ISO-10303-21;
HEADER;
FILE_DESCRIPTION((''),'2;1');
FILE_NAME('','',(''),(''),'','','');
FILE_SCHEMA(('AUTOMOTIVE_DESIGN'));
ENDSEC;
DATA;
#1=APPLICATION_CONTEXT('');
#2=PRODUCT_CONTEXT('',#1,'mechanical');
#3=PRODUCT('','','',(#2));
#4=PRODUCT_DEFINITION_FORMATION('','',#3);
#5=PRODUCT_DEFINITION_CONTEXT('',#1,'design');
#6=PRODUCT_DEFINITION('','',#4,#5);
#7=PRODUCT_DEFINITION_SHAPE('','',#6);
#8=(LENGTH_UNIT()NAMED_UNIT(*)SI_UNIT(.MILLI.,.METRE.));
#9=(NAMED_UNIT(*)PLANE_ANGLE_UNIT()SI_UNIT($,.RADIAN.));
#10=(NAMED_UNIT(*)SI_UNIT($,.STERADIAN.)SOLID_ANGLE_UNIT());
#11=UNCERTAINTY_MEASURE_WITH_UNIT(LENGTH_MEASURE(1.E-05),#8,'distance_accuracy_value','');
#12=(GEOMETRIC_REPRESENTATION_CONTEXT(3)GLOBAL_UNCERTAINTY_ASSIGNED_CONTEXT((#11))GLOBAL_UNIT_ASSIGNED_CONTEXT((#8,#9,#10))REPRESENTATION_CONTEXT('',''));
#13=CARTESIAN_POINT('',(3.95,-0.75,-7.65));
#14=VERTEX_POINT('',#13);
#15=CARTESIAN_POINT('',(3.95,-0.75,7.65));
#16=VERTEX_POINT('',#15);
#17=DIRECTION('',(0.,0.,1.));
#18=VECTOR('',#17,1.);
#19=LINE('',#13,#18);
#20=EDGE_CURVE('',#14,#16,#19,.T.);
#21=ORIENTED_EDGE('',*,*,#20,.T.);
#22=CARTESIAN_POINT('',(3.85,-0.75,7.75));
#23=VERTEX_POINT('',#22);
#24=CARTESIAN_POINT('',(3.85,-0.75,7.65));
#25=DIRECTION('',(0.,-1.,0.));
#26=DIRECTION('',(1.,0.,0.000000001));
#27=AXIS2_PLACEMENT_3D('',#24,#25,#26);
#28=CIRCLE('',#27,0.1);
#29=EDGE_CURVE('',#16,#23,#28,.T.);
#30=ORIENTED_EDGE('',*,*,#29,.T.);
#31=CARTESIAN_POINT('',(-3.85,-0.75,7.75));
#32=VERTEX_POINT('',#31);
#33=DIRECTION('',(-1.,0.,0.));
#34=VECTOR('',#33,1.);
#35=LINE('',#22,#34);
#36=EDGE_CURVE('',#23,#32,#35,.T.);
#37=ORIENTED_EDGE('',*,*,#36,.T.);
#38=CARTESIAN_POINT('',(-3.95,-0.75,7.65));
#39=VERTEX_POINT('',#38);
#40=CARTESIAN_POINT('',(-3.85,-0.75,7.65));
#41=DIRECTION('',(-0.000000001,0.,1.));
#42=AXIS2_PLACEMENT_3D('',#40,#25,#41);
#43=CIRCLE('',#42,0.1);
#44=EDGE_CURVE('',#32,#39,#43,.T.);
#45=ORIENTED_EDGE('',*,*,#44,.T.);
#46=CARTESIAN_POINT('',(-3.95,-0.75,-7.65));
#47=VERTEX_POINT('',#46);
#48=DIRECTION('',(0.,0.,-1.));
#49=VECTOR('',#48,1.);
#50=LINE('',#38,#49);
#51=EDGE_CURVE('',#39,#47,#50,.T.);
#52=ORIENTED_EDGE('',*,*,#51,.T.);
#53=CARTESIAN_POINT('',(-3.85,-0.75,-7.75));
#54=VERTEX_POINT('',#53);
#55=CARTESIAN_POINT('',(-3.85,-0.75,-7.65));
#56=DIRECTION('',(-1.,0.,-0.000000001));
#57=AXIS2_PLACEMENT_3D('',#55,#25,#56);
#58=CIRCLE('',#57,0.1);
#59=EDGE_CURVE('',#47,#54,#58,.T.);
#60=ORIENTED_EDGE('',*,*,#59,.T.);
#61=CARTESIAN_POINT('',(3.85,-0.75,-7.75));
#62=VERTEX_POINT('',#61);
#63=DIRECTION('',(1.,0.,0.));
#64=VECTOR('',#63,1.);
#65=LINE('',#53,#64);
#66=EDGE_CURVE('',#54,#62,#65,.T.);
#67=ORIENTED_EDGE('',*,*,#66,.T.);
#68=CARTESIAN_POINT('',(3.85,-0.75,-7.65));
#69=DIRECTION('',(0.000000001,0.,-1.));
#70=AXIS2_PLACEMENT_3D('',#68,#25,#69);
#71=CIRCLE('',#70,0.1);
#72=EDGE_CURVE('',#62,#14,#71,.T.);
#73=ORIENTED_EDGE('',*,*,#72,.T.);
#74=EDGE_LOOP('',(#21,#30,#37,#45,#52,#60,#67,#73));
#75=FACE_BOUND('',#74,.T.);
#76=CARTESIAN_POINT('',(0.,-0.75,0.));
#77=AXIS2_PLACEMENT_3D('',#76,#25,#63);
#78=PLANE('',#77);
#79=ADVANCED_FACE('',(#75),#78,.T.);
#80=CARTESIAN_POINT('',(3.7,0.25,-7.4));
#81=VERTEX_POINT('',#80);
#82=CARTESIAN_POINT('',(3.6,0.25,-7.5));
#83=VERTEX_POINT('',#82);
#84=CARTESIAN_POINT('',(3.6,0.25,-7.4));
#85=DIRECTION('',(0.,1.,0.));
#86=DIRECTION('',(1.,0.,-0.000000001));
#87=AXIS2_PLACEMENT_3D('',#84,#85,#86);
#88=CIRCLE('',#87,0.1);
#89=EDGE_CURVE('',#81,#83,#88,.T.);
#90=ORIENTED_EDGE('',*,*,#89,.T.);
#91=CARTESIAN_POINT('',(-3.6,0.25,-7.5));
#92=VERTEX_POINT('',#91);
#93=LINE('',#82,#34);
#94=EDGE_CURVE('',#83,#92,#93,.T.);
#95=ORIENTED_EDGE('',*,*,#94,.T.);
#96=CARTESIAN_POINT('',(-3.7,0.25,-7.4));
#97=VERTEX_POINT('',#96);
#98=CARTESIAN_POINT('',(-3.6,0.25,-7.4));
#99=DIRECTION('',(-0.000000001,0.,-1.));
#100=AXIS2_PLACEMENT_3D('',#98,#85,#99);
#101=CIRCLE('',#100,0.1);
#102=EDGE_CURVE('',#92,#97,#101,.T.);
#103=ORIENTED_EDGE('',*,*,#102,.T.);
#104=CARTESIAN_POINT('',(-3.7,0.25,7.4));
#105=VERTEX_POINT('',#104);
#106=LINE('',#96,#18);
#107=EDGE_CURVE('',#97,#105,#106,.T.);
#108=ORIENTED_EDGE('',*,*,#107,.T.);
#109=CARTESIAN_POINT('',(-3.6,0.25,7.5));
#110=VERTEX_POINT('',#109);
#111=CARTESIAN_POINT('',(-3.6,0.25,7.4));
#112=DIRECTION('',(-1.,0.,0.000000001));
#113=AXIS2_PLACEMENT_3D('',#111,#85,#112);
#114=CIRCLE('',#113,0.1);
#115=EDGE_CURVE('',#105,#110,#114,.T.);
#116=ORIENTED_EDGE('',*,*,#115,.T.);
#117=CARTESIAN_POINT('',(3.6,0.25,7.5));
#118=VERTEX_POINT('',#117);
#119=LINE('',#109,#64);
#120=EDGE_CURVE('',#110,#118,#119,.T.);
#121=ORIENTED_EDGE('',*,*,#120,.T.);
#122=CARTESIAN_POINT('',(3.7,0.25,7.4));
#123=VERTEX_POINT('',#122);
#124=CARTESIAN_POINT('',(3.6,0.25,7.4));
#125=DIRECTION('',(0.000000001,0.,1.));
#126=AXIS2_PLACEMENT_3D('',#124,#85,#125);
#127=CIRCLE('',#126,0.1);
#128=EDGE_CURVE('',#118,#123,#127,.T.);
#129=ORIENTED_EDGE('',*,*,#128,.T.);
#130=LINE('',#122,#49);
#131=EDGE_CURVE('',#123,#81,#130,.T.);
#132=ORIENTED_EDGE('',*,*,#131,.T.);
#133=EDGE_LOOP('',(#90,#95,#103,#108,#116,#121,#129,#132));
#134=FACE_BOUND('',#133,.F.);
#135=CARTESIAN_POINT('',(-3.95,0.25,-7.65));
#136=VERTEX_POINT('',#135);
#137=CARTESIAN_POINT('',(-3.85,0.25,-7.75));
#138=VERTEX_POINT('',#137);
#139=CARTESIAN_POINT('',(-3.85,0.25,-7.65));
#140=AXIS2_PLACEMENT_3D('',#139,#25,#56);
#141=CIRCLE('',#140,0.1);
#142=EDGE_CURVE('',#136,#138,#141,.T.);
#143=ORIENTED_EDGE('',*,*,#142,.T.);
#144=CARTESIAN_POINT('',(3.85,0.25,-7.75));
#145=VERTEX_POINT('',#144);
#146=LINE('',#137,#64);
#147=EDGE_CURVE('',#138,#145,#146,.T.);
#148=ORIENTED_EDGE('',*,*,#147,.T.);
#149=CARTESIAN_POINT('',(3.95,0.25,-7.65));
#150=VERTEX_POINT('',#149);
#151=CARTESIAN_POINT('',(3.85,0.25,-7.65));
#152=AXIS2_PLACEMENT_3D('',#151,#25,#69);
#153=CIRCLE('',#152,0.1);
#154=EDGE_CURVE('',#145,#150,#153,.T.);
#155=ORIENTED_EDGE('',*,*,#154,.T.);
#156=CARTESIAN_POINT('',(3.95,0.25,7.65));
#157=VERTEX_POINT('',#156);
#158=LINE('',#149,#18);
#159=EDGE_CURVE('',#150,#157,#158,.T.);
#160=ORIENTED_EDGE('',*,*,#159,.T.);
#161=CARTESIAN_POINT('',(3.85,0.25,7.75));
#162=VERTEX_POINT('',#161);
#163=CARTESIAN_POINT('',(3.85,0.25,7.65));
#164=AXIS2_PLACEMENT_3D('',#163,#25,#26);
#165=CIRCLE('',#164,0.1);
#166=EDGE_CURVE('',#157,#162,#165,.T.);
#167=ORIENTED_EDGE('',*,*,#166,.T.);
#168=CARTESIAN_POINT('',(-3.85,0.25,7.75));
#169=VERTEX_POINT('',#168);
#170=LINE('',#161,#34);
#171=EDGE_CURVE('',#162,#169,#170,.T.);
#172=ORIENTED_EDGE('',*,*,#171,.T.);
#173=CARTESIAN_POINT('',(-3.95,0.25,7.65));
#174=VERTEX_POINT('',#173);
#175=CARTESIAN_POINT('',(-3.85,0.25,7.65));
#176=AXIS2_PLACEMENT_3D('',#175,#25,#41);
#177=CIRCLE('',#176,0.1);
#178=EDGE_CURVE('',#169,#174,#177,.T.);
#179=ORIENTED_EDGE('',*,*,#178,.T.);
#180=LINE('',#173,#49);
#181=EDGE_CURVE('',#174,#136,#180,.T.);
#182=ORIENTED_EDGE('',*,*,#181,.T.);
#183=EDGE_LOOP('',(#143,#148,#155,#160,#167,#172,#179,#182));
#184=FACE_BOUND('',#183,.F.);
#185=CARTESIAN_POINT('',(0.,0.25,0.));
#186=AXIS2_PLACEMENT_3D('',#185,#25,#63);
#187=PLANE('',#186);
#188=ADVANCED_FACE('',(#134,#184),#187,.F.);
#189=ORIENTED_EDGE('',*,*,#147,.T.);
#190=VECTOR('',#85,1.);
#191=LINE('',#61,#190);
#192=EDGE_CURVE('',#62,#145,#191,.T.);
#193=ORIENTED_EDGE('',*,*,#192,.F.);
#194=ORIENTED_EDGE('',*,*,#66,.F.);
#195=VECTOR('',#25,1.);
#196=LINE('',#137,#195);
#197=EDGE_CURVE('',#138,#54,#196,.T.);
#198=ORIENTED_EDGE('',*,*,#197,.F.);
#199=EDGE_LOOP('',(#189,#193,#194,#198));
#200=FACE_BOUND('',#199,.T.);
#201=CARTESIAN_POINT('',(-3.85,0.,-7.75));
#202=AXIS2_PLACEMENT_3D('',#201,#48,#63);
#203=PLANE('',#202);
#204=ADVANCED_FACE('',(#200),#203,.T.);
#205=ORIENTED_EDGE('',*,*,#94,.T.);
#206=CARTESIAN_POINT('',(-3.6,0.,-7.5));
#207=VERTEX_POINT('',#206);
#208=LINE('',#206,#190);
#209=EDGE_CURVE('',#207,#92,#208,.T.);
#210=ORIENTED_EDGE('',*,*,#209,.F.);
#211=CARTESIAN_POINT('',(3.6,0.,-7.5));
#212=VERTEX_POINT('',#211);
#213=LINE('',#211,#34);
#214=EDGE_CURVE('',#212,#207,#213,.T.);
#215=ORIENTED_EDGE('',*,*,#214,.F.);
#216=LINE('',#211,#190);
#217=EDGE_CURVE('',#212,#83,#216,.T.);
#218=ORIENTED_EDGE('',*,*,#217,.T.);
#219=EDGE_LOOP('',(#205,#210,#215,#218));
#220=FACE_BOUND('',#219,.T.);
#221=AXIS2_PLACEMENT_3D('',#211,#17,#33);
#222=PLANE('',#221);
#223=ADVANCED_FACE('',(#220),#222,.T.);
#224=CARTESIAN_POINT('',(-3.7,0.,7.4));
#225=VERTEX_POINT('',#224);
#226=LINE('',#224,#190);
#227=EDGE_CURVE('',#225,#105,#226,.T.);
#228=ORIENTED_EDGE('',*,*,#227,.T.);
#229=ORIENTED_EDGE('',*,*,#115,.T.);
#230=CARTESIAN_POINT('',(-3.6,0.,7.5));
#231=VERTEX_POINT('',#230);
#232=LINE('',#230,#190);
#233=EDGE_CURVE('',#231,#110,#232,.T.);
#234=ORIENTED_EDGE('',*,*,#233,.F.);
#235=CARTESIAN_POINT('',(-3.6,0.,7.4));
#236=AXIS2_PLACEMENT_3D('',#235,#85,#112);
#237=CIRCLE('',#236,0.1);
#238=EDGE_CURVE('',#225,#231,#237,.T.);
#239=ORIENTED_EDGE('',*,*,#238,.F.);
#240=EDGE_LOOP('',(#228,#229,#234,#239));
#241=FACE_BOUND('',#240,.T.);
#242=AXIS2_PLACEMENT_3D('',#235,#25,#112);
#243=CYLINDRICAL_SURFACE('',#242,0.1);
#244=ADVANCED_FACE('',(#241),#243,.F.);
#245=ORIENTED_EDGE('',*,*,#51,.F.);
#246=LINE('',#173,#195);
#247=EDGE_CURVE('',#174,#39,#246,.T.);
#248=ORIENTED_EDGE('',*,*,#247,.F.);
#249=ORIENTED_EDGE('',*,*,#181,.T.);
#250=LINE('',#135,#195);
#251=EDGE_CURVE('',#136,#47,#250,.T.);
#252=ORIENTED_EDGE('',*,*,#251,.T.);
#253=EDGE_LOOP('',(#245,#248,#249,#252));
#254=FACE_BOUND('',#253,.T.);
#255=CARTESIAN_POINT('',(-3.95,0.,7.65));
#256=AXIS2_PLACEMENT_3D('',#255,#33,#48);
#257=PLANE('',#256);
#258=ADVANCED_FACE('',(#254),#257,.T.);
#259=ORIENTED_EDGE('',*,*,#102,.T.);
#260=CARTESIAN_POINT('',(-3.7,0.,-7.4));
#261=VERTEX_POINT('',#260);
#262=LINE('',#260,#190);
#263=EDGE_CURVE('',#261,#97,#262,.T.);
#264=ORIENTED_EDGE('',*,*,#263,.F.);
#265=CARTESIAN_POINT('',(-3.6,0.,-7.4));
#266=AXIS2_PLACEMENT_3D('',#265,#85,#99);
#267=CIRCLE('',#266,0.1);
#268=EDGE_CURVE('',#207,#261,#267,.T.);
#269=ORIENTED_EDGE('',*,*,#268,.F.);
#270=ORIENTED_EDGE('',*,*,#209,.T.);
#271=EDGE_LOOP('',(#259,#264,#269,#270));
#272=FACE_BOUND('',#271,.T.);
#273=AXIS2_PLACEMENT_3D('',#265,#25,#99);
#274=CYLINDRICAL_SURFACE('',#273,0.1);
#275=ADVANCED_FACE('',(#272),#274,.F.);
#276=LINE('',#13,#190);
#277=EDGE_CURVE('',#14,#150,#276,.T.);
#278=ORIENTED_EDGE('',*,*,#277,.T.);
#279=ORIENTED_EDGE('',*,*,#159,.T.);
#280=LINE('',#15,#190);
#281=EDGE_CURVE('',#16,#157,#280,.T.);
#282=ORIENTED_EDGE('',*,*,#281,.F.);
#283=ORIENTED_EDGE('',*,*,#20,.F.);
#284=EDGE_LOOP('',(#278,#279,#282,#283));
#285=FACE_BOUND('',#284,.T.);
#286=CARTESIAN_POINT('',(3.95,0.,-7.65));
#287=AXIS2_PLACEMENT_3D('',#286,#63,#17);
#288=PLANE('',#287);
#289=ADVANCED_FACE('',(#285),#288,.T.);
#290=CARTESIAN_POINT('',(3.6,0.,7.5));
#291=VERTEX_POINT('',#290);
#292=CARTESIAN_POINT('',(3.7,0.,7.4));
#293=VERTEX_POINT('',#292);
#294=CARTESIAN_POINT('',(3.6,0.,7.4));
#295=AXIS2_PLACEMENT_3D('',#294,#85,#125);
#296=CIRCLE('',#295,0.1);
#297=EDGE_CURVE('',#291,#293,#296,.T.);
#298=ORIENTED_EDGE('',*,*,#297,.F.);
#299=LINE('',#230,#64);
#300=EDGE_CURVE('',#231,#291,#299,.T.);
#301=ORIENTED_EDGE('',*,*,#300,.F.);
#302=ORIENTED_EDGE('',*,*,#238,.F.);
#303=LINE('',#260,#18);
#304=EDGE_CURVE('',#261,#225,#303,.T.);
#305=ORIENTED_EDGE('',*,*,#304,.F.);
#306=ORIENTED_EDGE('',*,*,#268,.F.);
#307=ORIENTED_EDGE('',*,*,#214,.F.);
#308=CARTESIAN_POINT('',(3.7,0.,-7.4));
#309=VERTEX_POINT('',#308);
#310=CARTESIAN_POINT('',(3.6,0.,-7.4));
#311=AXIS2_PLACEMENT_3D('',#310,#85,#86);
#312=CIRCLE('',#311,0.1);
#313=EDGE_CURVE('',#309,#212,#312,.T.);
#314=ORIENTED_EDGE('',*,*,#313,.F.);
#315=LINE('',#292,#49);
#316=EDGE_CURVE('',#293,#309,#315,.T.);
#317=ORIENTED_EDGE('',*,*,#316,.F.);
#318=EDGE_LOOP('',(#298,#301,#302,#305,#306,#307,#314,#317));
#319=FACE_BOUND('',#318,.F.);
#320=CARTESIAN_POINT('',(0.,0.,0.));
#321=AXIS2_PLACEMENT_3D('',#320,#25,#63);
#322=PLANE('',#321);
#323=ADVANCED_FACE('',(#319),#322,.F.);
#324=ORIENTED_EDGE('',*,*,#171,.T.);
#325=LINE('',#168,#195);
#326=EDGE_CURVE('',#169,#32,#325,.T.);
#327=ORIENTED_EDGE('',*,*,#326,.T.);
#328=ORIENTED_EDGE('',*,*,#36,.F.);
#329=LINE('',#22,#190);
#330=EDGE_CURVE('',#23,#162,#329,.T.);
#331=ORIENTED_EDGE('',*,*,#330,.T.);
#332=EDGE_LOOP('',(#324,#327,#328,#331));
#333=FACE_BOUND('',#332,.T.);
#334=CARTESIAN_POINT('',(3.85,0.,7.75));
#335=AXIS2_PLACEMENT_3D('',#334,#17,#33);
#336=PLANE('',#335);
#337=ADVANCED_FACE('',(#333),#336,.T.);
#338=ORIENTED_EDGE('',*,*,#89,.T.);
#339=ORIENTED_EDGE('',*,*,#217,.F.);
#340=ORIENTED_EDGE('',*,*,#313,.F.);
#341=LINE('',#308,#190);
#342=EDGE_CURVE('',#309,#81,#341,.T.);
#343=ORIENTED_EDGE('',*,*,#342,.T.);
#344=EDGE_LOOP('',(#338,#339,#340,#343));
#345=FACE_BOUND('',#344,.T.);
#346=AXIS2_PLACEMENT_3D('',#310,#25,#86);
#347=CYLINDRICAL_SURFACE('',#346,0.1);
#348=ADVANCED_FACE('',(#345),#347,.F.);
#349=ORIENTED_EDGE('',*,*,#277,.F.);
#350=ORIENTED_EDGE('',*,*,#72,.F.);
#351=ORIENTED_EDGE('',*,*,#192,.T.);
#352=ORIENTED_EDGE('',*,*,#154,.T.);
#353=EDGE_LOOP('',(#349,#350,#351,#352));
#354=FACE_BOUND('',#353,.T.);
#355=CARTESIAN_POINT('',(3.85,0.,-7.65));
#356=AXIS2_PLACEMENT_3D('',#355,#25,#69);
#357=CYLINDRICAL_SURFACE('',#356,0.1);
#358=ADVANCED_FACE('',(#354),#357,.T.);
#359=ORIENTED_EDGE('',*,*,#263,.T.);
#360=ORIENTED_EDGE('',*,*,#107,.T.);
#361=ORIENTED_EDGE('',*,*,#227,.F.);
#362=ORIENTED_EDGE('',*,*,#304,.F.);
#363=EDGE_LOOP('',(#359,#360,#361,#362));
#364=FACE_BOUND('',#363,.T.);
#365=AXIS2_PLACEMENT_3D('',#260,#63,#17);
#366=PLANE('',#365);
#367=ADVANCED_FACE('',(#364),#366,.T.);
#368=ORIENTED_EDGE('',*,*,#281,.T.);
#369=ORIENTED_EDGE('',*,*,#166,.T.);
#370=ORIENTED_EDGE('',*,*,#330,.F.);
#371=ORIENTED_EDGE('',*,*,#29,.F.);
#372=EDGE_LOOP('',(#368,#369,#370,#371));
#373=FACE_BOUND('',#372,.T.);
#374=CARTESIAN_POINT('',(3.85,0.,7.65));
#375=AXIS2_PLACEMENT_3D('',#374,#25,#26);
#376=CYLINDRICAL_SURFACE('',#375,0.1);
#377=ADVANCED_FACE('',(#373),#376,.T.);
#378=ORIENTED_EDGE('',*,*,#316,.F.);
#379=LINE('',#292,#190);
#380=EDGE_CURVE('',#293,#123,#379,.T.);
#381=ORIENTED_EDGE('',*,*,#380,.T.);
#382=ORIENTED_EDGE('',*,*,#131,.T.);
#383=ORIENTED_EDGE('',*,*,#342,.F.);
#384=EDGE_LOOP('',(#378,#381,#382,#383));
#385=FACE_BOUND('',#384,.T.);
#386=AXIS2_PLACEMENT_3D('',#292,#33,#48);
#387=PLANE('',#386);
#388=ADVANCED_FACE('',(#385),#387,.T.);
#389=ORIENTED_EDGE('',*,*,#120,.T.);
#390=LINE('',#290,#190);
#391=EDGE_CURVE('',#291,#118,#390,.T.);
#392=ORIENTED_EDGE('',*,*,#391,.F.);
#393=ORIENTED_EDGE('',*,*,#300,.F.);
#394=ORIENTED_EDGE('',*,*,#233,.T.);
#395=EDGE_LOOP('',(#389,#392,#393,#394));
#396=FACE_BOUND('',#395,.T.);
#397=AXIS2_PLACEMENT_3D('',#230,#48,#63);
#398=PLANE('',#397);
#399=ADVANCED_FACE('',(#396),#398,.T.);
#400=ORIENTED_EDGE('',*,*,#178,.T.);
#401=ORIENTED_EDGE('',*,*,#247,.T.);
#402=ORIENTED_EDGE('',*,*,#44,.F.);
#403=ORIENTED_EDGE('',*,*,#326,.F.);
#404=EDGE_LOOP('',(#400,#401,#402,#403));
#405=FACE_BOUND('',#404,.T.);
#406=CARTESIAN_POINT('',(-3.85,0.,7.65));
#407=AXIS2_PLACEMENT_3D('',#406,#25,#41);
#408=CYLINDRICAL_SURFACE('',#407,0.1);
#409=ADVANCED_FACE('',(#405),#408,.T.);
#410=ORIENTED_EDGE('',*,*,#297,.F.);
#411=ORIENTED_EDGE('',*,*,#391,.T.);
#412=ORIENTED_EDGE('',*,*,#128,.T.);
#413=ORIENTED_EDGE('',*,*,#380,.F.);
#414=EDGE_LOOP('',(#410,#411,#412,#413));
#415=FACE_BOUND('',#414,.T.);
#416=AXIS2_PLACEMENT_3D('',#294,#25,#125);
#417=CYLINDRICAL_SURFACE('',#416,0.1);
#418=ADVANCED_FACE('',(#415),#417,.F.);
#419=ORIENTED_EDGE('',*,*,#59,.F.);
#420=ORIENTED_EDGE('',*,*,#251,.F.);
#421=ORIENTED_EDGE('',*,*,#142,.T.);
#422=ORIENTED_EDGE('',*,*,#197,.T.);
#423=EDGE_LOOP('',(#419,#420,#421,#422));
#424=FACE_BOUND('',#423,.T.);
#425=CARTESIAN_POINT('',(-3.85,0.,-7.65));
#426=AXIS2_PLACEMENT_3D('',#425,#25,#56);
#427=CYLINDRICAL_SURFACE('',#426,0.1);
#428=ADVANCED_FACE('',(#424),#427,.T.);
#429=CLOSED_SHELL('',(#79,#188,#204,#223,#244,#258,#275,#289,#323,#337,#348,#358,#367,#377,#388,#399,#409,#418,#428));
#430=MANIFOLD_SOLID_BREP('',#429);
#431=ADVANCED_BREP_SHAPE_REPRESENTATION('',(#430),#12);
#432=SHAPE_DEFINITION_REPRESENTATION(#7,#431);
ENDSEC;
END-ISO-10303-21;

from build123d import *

# Parameters (mm, degrees)
F1_DEPTH = 0.75
F2_DEPTH = 0.75
F3_DEPTH = 0.25


with BuildPart() as f1:
    # F0 (on Front) → F1 (new body)
    with BuildSketch(Plane.XZ):
        with BuildLine():
            Line((3.85, 7.75), (-3.85, 7.75))
            ThreePointArc((-3.85, 7.75), (-3.9207106781, 7.7207106781), (-3.95, 7.65))
            Line((-3.95, 7.65), (-3.95, -7.65))
            ThreePointArc((-3.95, -7.65), (-3.9207106781, -7.7207106781), (-3.85, -7.75))
            Line((-3.85, -7.75), (3.85, -7.75))
            ThreePointArc((3.85, -7.75), (3.9207106781, -7.7207106781), (3.95, -7.65))
            Line((3.95, -7.65), (3.95, 7.65))
            ThreePointArc((3.95, 7.65), (3.9207106781, 7.7207106781), (3.85, 7.75))
        make_face()
        with BuildLine():
            ThreePointArc((-3.7, 7.4), (-3.6707106781, 7.4707106781), (-3.6, 7.5))
            Line((-3.6, 7.5), (3.6, 7.5))
            ThreePointArc((3.6, 7.5), (3.6707106781, 7.4707106781), (3.7, 7.4))
            Line((3.7, 7.4), (3.7, -7.4))
            ThreePointArc((3.7, -7.4), (3.6707106781, -7.4707106781), (3.6, -7.5))
            Line((3.6, -7.5), (-3.6, -7.5))
            ThreePointArc((-3.6, -7.5), (-3.6707106781, -7.4707106781), (-3.7, -7.4))
            Line((-3.7, -7.4), (-3.7, 7.4))
        make_face(mode=Mode.SUBTRACT)
        with BuildLine():
            Line((3.6, 7.5), (-3.6, 7.5))
            ThreePointArc((-3.6, 7.5), (-3.6707106781, 7.4707106781), (-3.7, 7.4))
            Line((-3.7, 7.4), (-3.7, -7.4))
            ThreePointArc((-3.7, -7.4), (-3.6707106781, -7.4707106781), (-3.6, -7.5))
            Line((-3.6, -7.5), (3.6, -7.5))
            ThreePointArc((3.6, -7.5), (3.6707106781, -7.4707106781), (3.7, -7.4))
            Line((3.7, -7.4), (3.7, 7.4))
            ThreePointArc((3.7, 7.4), (3.6707106781, 7.4707106781), (3.6, 7.5))
        make_face()
    extrude(amount=F1_DEPTH)

    # F0 (on Front) → F2 (join)
    with BuildSketch(Plane.XZ):
        with BuildLine():
            Line((3.85, 7.75), (-3.85, 7.75))
            ThreePointArc((-3.85, 7.75), (-3.9207106781, 7.7207106781), (-3.95, 7.65))
            Line((-3.95, 7.65), (-3.95, -7.65))
            ThreePointArc((-3.95, -7.65), (-3.9207106781, -7.7207106781), (-3.85, -7.75))
            Line((-3.85, -7.75), (3.85, -7.75))
            ThreePointArc((3.85, -7.75), (3.9207106781, -7.7207106781), (3.95, -7.65))
            Line((3.95, -7.65), (3.95, 7.65))
            ThreePointArc((3.95, 7.65), (3.9207106781, 7.7207106781), (3.85, 7.75))
        make_face()
        with BuildLine():
            ThreePointArc((-3.7, 7.4), (-3.6707106781, 7.4707106781), (-3.6, 7.5))
            Line((-3.6, 7.5), (3.6, 7.5))
            ThreePointArc((3.6, 7.5), (3.6707106781, 7.4707106781), (3.7, 7.4))
            Line((3.7, 7.4), (3.7, -7.4))
            ThreePointArc((3.7, -7.4), (3.6707106781, -7.4707106781), (3.6, -7.5))
            Line((3.6, -7.5), (-3.6, -7.5))
            ThreePointArc((-3.6, -7.5), (-3.6707106781, -7.4707106781), (-3.7, -7.4))
            Line((-3.7, -7.4), (-3.7, 7.4))
        make_face(mode=Mode.SUBTRACT)
    extrude(amount=F2_DEPTH)

    # F0 (on Front) → F3 (join)
    with BuildSketch(Plane.XZ):
        with BuildLine():
            Line((3.85, 7.75), (-3.85, 7.75))
            ThreePointArc((-3.85, 7.75), (-3.9207106781, 7.7207106781), (-3.95, 7.65))
            Line((-3.95, 7.65), (-3.95, -7.65))
            ThreePointArc((-3.95, -7.65), (-3.9207106781, -7.7207106781), (-3.85, -7.75))
            Line((-3.85, -7.75), (3.85, -7.75))
            ThreePointArc((3.85, -7.75), (3.9207106781, -7.7207106781), (3.95, -7.65))
            Line((3.95, -7.65), (3.95, 7.65))
            ThreePointArc((3.95, 7.65), (3.9207106781, 7.7207106781), (3.85, 7.75))
        make_face()
        with BuildLine():
            ThreePointArc((-3.7, 7.4), (-3.6707106781, 7.4707106781), (-3.6, 7.5))
            Line((-3.6, 7.5), (3.6, 7.5))
            ThreePointArc((3.6, 7.5), (3.6707106781, 7.4707106781), (3.7, 7.4))
            Line((3.7, 7.4), (3.7, -7.4))
            ThreePointArc((3.7, -7.4), (3.6707106781, -7.4707106781), (3.6, -7.5))
            Line((3.6, -7.5), (-3.6, -7.5))
            ThreePointArc((-3.6, -7.5), (-3.6707106781, -7.4707106781), (-3.7, -7.4))
            Line((-3.7, -7.4), (-3.7, 7.4))
        make_face(mode=Mode.SUBTRACT)
    extrude(amount=-F3_DEPTH)


solid = f1.part
